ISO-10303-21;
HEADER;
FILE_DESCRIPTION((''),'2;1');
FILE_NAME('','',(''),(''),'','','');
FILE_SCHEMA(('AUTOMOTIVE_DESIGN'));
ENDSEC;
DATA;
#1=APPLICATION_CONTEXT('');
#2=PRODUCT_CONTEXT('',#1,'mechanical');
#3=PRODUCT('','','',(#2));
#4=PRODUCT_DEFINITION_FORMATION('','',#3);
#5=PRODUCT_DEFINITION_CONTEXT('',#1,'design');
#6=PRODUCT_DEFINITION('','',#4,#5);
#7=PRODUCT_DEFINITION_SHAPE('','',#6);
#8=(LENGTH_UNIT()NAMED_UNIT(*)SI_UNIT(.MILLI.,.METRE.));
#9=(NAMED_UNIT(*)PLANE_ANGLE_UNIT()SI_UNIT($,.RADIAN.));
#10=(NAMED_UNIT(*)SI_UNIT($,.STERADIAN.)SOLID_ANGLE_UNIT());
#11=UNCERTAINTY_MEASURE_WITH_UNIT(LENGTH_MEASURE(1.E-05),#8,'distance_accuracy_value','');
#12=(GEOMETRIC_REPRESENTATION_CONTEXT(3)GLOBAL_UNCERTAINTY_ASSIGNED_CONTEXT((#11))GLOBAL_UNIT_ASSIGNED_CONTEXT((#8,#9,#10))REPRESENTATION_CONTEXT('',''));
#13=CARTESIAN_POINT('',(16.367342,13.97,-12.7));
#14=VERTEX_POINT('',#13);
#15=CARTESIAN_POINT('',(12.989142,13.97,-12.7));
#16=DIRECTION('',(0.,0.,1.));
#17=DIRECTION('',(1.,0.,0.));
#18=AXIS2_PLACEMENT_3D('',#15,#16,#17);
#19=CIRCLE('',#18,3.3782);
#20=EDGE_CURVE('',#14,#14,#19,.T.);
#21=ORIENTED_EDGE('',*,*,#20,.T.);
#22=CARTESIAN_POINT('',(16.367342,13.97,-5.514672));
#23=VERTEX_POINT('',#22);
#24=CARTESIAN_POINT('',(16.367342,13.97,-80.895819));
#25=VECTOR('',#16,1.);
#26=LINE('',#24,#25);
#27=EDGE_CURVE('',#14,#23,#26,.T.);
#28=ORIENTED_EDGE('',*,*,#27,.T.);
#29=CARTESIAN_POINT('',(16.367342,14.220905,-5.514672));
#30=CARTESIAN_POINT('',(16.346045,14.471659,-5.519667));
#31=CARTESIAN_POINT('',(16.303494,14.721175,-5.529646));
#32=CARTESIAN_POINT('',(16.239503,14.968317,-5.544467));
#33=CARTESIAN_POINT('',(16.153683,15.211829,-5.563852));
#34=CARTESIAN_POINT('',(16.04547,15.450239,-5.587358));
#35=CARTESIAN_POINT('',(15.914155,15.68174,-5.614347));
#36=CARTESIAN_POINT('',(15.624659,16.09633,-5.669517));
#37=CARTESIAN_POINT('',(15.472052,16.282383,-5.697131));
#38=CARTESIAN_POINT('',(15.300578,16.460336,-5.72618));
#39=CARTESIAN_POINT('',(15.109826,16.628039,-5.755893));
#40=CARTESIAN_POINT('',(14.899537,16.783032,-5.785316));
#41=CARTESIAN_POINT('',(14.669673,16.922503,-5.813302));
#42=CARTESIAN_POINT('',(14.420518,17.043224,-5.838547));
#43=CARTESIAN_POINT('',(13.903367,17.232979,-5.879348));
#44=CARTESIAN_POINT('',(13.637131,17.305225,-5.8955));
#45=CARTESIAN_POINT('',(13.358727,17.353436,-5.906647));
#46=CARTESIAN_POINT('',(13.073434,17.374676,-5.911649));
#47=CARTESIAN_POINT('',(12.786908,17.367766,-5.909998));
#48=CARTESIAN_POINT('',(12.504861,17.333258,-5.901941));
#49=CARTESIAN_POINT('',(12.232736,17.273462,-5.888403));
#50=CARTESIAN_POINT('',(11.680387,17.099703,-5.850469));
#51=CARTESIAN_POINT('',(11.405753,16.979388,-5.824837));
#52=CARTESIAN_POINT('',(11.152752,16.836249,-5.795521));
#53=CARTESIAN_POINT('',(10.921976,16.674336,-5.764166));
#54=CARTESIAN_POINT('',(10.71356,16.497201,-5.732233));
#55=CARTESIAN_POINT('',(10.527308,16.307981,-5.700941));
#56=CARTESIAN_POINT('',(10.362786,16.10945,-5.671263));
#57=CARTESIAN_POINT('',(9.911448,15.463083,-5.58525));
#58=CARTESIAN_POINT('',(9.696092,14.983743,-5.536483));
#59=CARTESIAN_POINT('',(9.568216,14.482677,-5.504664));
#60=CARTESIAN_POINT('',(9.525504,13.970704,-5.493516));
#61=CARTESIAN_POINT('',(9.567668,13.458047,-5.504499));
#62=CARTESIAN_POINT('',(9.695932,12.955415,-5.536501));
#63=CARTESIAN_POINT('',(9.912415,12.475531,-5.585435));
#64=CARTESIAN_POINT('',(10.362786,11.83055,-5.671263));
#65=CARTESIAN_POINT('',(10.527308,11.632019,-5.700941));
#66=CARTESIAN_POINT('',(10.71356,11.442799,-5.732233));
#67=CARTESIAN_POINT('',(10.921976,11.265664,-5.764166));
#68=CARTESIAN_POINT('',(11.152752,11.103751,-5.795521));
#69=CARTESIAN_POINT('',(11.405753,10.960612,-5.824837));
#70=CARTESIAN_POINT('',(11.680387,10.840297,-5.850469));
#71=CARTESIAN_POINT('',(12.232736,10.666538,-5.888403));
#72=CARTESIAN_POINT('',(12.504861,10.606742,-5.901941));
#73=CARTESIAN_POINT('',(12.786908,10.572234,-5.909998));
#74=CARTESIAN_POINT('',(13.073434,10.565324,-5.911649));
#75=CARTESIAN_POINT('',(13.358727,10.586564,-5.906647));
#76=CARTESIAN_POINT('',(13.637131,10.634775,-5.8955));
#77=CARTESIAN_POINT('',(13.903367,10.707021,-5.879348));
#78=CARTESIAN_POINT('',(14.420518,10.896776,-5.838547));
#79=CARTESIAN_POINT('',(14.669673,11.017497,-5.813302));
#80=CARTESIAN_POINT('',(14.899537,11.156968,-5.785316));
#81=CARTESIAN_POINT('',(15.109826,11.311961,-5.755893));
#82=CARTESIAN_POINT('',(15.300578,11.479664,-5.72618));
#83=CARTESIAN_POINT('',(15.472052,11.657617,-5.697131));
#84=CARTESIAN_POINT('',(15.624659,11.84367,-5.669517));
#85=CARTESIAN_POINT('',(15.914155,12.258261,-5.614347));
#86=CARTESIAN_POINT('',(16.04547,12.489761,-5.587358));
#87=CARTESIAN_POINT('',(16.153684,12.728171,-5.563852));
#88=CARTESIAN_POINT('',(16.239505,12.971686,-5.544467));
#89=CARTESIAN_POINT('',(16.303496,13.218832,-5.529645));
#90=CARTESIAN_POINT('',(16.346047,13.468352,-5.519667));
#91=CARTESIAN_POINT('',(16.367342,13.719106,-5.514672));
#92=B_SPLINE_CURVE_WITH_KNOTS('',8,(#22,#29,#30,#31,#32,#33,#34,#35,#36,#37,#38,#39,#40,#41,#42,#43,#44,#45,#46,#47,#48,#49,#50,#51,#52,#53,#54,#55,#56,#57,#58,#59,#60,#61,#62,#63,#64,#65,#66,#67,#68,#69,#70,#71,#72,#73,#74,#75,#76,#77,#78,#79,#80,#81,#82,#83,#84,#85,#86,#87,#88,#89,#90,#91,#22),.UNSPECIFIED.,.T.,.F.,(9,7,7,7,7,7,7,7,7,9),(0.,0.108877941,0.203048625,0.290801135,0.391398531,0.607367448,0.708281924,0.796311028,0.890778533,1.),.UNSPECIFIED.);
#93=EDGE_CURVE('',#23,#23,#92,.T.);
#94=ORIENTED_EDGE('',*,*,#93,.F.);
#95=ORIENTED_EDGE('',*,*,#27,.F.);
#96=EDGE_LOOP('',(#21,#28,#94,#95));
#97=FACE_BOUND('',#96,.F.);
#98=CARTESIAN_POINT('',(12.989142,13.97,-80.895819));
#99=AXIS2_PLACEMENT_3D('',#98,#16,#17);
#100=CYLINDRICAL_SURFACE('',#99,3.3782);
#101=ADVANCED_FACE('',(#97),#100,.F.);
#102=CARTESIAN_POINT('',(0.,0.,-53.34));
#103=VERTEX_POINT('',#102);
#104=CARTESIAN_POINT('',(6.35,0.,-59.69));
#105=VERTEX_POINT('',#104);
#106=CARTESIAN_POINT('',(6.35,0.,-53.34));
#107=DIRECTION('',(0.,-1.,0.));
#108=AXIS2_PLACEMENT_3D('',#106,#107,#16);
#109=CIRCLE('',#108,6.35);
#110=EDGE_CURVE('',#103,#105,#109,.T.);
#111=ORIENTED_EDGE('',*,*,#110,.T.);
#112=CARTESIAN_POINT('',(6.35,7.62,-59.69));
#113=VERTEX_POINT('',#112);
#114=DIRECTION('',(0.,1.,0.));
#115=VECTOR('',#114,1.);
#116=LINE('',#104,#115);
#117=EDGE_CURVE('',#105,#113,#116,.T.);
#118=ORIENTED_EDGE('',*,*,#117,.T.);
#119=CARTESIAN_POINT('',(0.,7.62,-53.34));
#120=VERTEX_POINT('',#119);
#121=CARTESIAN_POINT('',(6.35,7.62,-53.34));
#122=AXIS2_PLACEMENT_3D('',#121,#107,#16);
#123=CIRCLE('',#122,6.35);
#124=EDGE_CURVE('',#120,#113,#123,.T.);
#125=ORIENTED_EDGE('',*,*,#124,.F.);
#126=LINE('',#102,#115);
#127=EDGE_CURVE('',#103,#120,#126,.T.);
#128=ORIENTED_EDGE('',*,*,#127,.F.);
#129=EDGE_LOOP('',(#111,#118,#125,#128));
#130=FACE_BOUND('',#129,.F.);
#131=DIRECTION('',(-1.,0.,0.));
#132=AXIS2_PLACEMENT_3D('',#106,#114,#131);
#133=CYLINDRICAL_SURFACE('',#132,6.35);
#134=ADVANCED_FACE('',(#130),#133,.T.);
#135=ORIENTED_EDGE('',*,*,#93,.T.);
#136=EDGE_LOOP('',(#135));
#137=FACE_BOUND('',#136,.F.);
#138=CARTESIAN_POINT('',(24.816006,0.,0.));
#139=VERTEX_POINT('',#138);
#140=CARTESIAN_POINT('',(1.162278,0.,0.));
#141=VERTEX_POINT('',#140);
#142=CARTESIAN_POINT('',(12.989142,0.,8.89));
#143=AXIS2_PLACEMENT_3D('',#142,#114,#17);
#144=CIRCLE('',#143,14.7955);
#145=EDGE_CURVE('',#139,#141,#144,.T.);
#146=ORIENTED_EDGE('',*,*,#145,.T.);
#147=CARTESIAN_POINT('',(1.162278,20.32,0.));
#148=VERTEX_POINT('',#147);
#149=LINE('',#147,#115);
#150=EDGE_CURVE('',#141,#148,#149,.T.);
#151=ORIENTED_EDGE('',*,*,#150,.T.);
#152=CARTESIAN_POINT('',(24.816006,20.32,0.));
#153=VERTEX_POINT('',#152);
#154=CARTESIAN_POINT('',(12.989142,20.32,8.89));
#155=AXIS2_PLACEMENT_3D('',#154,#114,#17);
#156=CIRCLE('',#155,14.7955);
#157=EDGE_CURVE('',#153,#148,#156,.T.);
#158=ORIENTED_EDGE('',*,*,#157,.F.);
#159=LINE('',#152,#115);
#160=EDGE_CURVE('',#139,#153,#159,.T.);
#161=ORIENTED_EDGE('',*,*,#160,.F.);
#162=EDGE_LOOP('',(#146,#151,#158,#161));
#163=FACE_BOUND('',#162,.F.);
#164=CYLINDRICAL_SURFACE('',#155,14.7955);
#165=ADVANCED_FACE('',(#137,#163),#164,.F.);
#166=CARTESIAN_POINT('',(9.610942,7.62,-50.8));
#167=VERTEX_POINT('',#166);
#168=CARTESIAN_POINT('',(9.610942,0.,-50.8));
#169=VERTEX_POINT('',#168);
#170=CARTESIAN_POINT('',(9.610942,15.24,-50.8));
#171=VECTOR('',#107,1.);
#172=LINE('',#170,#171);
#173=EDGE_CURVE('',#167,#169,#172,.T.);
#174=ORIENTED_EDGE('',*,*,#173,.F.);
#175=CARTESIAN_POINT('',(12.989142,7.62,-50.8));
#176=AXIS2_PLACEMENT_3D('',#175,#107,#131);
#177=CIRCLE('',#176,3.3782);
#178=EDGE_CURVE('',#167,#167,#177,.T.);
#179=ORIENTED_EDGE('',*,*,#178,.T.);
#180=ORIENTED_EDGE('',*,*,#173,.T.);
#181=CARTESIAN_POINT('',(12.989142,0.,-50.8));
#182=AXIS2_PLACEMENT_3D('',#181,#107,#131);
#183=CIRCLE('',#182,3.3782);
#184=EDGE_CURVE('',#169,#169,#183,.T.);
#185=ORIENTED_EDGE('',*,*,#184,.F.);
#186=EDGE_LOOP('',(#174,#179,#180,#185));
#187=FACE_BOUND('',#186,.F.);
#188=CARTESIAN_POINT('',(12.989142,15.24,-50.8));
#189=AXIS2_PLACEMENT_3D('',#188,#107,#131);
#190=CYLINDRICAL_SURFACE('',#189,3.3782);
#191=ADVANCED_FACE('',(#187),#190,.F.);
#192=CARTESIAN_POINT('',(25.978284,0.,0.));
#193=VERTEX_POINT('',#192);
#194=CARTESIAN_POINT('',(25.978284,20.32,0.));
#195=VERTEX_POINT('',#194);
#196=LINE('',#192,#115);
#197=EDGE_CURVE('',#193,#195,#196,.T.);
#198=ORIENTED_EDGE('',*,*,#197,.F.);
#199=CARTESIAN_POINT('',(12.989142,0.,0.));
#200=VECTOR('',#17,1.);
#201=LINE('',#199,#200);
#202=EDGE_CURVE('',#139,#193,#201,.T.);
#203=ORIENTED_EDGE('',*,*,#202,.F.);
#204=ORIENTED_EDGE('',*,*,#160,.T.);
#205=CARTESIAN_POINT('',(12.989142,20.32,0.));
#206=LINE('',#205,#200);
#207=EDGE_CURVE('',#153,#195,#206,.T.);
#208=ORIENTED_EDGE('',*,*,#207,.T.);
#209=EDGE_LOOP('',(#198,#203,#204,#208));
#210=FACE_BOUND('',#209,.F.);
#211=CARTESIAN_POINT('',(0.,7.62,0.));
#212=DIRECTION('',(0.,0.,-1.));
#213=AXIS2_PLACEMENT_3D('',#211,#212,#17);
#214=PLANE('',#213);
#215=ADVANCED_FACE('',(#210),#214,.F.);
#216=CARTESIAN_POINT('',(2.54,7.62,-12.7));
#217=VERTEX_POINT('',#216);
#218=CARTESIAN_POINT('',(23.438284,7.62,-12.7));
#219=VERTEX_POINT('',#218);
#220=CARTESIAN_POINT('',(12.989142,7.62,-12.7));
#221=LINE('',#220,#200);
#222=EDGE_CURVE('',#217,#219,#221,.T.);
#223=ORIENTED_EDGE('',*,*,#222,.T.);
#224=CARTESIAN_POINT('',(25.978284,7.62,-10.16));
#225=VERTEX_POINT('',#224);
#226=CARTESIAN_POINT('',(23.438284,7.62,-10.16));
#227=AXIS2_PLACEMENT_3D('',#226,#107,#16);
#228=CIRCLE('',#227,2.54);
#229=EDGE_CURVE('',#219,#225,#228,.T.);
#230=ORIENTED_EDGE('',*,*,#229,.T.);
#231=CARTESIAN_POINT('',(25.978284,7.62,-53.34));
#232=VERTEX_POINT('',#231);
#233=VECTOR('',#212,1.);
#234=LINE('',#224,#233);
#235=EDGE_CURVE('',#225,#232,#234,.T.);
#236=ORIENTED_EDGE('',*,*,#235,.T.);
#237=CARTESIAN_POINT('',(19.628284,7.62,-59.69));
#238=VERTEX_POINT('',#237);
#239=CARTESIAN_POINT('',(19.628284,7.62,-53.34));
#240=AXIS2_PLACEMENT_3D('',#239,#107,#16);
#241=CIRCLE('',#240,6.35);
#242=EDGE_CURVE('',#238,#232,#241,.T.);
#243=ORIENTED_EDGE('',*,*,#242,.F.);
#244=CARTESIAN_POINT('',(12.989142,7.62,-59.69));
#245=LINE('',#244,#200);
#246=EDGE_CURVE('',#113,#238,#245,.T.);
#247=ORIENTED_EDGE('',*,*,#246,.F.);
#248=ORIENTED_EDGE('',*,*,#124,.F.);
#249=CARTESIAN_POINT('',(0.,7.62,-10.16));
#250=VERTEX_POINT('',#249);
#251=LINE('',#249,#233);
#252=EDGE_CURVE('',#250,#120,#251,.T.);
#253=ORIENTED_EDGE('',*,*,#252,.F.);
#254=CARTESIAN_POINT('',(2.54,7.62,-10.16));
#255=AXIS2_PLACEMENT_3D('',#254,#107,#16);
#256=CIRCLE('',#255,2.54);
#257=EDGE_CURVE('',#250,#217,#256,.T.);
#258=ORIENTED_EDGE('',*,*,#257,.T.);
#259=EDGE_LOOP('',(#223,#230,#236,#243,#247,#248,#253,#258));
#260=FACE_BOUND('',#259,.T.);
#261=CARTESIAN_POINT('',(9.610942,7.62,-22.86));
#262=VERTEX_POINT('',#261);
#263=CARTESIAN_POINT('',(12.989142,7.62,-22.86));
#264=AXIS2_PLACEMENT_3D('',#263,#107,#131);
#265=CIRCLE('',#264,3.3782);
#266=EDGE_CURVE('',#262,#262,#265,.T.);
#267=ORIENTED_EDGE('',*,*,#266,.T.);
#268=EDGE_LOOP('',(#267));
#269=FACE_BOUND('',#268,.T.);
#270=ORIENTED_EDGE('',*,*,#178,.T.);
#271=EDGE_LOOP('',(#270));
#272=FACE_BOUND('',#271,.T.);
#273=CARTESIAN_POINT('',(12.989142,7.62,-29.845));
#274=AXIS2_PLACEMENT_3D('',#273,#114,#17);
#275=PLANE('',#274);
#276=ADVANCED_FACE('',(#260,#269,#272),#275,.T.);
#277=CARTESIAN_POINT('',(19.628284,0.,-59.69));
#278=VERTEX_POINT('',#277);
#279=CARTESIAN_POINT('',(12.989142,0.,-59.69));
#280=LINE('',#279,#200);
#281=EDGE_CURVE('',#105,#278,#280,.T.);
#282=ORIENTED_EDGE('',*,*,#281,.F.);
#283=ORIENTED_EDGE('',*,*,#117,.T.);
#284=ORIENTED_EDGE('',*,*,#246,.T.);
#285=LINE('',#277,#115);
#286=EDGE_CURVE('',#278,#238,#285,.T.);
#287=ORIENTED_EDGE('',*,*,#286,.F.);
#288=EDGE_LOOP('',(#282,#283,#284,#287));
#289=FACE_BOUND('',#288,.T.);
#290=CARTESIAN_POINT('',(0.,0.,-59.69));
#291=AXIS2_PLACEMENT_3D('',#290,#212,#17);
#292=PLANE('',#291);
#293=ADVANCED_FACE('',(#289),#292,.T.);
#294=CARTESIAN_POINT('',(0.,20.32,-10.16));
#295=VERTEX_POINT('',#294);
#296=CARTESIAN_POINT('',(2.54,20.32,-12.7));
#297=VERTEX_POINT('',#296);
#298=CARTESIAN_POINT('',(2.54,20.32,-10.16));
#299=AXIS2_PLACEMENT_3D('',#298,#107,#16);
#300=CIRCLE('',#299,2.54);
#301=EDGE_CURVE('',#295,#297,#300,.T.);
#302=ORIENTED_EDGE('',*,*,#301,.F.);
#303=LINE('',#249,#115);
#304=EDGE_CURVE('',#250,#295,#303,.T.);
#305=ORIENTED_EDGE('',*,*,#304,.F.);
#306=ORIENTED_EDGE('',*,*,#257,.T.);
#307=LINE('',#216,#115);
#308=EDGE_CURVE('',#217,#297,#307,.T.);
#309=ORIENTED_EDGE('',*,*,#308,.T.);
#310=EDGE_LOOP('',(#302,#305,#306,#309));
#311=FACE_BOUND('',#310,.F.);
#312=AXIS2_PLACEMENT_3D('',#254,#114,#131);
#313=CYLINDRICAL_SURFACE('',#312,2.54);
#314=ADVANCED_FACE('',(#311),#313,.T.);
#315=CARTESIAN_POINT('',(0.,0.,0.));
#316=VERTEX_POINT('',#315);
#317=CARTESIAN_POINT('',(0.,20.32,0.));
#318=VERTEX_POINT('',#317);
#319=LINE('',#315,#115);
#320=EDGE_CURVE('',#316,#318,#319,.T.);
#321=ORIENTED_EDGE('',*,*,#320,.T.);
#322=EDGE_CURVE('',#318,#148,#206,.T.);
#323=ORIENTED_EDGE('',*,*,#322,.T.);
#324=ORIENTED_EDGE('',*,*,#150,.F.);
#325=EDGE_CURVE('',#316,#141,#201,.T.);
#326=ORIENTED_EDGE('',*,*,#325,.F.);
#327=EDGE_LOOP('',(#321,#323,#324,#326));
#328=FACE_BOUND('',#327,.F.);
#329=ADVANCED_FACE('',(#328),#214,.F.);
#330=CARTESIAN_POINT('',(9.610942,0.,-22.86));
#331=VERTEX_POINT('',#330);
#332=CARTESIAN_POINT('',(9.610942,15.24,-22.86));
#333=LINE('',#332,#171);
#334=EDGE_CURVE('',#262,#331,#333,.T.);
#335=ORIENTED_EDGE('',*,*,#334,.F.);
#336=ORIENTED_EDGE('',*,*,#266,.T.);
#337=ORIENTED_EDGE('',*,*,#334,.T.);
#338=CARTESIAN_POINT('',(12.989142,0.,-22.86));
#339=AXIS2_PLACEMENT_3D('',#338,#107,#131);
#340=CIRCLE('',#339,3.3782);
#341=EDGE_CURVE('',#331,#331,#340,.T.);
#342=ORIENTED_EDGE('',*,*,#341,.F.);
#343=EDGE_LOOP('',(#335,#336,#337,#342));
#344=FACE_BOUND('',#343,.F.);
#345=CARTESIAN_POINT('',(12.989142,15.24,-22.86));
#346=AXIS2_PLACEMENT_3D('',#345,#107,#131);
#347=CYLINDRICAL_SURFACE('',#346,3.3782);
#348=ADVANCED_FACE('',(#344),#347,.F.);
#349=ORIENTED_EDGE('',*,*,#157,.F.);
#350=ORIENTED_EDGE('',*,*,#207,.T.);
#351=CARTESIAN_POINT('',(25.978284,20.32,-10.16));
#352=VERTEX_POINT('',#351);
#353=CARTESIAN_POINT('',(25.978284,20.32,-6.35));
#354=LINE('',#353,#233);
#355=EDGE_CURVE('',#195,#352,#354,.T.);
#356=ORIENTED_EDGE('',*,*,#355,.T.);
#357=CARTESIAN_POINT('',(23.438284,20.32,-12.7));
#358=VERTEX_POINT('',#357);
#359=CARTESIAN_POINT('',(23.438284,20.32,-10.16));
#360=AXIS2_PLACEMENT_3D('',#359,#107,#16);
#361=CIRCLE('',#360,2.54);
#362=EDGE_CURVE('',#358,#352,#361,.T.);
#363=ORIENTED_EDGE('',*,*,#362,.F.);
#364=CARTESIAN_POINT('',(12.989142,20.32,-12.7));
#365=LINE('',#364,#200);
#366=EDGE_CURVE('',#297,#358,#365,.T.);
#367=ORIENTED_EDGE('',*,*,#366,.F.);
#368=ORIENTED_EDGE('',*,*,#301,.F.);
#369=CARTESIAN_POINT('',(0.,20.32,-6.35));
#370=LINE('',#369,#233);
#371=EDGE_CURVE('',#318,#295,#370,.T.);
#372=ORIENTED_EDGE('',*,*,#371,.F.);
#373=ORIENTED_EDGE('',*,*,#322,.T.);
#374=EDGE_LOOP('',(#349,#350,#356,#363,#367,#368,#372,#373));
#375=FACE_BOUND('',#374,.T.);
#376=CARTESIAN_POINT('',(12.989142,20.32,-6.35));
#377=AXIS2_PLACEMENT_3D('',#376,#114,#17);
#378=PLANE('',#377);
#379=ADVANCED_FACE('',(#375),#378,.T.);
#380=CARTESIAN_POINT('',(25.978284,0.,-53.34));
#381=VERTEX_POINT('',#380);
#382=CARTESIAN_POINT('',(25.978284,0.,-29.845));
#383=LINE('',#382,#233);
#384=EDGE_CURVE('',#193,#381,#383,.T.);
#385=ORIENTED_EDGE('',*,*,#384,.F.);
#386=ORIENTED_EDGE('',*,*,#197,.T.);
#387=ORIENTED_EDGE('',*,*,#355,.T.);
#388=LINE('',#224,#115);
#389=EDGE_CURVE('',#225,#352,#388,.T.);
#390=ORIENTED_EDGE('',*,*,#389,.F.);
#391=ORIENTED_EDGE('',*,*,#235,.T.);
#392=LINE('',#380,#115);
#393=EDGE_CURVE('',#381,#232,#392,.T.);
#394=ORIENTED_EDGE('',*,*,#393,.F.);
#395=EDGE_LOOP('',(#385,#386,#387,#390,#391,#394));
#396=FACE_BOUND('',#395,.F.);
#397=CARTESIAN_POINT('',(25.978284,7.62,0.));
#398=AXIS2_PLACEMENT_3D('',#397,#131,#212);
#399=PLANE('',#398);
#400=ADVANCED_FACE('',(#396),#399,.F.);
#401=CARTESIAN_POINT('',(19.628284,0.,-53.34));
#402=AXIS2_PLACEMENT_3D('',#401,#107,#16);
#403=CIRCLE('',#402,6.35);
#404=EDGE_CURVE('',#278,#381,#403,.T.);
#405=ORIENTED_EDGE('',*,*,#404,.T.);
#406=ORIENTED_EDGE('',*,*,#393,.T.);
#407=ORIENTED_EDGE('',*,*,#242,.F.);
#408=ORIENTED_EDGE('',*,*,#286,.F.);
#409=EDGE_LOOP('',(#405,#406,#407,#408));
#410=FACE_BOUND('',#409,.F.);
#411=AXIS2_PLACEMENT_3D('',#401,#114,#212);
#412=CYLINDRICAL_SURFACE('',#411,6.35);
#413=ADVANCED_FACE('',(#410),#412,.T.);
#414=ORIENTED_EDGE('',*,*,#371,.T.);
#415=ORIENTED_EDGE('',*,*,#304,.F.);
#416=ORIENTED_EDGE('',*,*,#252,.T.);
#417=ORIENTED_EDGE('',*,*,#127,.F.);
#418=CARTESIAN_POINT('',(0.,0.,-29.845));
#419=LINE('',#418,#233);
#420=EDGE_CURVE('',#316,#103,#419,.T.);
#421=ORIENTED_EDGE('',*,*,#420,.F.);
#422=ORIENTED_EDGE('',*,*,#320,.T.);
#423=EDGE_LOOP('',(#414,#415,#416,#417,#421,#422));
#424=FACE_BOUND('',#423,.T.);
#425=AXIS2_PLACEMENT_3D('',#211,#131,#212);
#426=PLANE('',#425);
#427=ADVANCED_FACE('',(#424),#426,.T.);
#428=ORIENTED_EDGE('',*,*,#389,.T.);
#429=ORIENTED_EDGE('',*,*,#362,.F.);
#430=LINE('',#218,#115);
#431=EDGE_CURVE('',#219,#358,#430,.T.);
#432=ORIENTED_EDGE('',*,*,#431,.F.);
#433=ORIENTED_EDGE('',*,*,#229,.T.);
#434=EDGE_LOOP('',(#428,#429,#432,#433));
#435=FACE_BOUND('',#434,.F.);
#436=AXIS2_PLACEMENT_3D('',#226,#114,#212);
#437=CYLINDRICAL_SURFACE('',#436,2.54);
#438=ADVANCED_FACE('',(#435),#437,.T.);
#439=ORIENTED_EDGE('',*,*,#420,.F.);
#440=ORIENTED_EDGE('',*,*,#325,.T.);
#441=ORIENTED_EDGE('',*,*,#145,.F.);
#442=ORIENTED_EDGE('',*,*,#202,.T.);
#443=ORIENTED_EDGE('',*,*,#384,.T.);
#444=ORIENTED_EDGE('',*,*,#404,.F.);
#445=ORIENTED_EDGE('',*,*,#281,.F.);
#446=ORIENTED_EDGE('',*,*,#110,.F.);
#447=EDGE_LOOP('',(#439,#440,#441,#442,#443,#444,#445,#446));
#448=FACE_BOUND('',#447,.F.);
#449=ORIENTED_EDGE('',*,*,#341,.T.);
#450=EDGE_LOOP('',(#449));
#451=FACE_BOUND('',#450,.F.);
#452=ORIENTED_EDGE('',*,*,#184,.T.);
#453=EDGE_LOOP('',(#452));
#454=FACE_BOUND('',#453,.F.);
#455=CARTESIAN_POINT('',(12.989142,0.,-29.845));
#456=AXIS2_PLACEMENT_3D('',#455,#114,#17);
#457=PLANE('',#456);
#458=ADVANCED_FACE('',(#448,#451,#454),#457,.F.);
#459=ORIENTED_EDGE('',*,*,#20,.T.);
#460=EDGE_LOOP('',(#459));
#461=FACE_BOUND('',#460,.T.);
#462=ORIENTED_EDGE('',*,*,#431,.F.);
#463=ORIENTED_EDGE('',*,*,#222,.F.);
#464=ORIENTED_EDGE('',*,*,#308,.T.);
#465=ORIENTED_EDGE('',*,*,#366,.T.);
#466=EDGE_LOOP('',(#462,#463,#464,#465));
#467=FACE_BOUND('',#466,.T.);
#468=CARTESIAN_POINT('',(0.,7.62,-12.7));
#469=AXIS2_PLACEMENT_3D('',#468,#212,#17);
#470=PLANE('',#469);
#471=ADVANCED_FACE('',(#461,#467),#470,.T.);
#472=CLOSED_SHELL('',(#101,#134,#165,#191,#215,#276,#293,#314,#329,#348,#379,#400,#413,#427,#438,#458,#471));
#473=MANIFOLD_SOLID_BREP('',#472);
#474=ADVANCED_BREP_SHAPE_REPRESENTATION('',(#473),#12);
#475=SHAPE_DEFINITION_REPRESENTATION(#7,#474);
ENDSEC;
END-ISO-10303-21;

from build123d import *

# Parameters (mm, degrees)
SKETCH1_W                   = 25.978283713
SKETCH1_H                   = 59.69
BOSS_EXTRUDE1_DEPTH         = 7.62
SKETCH2_W                   = 25.978283713
SKETCH2_H                   = 12.7
BOSS_EXTRUDE2_DEPTH         = 12.7
SKETCH4_R                   = 14.7955
CUT_EXTRUDE1_DEPTH          = 20.32
F_1_4_CLEARANCE_HOLE1_D     = 6.7564
F_1_4_CLEARANCE_HOLE1_DEPTH = 7.62
FILLET1_R                   = 6.35
FILLET2_R                   = 2.54
F_1_4_CLEARANCE_HOLE2_D     = 6.7564


with BuildPart() as part:
    # Sketch1 → Boss-Extrude1 (new body)
    with BuildSketch(Plane(origin=(0, 0, 0), x_dir=(1, 0, 0), z_dir=(0, 1, 0))):
        with Locations((12.989141857, 29.845)):
            Rectangle(SKETCH1_W, SKETCH1_H)
    extrude(amount=BOSS_EXTRUDE1_DEPTH)

    # Sketch2 → Boss-Extrude2 (add)
    with BuildSketch(Plane(origin=(0, 7.62, 0), x_dir=(1, 0, 0), z_dir=(0, 1, 0))):
        with Locations((12.989141857, 6.35)):
            Rectangle(SKETCH2_W, SKETCH2_H)
    extrude(amount=BOSS_EXTRUDE2_DEPTH)

    # Sketch4 → Cut-Extrude1 (cut)
    with BuildSketch(Plane(origin=(0, 20.32, 0), x_dir=(1, 0, 0), z_dir=(0, 1, 0))):
        with Locations((12.989141856, -8.89)):
            Circle(SKETCH4_R)
    extrude(amount=-CUT_EXTRUDE1_DEPTH, mode=Mode.SUBTRACT)

    # 1/4 Clearance Hole1
    with Locations(Plane(origin=(0, 7.62, 0), x_dir=(1, 0, 0), z_dir=(0, 1, 0))):
        with Locations((12.989141856, 50.8), (12.989141856, 22.86)):
            Hole(F_1_4_CLEARANCE_HOLE1_D / 2, depth=F_1_4_CLEARANCE_HOLE1_DEPTH)

    # Fillet1
    fillet1_edges = [part.edges().sort_by_distance(p)[0] for p in [
        (0, 3.81, -59.69),
        (25.978283713, 3.81, -59.69),
    ]]
    fillet(fillet1_edges, radius=FILLET1_R)

    # Fillet2
    fillet2_edges = [part.edges().sort_by_distance(p)[0] for p in [
        (0, 13.97, -12.7),
        (25.978283713, 13.97, -12.7),
    ]]
    fillet(fillet2_edges, radius=FILLET2_R)

    # 1/4 Clearance Hole2 (through all)
    with Locations(Plane(origin=(0, 0, -12.7), x_dir=(-1, 0, 0), z_dir=(0, 0, -1))):
        with Locations((-12.989141856, 13.97)):
            Hole(F_1_4_CLEARANCE_HOLE2_D / 2)


solid = part.part
